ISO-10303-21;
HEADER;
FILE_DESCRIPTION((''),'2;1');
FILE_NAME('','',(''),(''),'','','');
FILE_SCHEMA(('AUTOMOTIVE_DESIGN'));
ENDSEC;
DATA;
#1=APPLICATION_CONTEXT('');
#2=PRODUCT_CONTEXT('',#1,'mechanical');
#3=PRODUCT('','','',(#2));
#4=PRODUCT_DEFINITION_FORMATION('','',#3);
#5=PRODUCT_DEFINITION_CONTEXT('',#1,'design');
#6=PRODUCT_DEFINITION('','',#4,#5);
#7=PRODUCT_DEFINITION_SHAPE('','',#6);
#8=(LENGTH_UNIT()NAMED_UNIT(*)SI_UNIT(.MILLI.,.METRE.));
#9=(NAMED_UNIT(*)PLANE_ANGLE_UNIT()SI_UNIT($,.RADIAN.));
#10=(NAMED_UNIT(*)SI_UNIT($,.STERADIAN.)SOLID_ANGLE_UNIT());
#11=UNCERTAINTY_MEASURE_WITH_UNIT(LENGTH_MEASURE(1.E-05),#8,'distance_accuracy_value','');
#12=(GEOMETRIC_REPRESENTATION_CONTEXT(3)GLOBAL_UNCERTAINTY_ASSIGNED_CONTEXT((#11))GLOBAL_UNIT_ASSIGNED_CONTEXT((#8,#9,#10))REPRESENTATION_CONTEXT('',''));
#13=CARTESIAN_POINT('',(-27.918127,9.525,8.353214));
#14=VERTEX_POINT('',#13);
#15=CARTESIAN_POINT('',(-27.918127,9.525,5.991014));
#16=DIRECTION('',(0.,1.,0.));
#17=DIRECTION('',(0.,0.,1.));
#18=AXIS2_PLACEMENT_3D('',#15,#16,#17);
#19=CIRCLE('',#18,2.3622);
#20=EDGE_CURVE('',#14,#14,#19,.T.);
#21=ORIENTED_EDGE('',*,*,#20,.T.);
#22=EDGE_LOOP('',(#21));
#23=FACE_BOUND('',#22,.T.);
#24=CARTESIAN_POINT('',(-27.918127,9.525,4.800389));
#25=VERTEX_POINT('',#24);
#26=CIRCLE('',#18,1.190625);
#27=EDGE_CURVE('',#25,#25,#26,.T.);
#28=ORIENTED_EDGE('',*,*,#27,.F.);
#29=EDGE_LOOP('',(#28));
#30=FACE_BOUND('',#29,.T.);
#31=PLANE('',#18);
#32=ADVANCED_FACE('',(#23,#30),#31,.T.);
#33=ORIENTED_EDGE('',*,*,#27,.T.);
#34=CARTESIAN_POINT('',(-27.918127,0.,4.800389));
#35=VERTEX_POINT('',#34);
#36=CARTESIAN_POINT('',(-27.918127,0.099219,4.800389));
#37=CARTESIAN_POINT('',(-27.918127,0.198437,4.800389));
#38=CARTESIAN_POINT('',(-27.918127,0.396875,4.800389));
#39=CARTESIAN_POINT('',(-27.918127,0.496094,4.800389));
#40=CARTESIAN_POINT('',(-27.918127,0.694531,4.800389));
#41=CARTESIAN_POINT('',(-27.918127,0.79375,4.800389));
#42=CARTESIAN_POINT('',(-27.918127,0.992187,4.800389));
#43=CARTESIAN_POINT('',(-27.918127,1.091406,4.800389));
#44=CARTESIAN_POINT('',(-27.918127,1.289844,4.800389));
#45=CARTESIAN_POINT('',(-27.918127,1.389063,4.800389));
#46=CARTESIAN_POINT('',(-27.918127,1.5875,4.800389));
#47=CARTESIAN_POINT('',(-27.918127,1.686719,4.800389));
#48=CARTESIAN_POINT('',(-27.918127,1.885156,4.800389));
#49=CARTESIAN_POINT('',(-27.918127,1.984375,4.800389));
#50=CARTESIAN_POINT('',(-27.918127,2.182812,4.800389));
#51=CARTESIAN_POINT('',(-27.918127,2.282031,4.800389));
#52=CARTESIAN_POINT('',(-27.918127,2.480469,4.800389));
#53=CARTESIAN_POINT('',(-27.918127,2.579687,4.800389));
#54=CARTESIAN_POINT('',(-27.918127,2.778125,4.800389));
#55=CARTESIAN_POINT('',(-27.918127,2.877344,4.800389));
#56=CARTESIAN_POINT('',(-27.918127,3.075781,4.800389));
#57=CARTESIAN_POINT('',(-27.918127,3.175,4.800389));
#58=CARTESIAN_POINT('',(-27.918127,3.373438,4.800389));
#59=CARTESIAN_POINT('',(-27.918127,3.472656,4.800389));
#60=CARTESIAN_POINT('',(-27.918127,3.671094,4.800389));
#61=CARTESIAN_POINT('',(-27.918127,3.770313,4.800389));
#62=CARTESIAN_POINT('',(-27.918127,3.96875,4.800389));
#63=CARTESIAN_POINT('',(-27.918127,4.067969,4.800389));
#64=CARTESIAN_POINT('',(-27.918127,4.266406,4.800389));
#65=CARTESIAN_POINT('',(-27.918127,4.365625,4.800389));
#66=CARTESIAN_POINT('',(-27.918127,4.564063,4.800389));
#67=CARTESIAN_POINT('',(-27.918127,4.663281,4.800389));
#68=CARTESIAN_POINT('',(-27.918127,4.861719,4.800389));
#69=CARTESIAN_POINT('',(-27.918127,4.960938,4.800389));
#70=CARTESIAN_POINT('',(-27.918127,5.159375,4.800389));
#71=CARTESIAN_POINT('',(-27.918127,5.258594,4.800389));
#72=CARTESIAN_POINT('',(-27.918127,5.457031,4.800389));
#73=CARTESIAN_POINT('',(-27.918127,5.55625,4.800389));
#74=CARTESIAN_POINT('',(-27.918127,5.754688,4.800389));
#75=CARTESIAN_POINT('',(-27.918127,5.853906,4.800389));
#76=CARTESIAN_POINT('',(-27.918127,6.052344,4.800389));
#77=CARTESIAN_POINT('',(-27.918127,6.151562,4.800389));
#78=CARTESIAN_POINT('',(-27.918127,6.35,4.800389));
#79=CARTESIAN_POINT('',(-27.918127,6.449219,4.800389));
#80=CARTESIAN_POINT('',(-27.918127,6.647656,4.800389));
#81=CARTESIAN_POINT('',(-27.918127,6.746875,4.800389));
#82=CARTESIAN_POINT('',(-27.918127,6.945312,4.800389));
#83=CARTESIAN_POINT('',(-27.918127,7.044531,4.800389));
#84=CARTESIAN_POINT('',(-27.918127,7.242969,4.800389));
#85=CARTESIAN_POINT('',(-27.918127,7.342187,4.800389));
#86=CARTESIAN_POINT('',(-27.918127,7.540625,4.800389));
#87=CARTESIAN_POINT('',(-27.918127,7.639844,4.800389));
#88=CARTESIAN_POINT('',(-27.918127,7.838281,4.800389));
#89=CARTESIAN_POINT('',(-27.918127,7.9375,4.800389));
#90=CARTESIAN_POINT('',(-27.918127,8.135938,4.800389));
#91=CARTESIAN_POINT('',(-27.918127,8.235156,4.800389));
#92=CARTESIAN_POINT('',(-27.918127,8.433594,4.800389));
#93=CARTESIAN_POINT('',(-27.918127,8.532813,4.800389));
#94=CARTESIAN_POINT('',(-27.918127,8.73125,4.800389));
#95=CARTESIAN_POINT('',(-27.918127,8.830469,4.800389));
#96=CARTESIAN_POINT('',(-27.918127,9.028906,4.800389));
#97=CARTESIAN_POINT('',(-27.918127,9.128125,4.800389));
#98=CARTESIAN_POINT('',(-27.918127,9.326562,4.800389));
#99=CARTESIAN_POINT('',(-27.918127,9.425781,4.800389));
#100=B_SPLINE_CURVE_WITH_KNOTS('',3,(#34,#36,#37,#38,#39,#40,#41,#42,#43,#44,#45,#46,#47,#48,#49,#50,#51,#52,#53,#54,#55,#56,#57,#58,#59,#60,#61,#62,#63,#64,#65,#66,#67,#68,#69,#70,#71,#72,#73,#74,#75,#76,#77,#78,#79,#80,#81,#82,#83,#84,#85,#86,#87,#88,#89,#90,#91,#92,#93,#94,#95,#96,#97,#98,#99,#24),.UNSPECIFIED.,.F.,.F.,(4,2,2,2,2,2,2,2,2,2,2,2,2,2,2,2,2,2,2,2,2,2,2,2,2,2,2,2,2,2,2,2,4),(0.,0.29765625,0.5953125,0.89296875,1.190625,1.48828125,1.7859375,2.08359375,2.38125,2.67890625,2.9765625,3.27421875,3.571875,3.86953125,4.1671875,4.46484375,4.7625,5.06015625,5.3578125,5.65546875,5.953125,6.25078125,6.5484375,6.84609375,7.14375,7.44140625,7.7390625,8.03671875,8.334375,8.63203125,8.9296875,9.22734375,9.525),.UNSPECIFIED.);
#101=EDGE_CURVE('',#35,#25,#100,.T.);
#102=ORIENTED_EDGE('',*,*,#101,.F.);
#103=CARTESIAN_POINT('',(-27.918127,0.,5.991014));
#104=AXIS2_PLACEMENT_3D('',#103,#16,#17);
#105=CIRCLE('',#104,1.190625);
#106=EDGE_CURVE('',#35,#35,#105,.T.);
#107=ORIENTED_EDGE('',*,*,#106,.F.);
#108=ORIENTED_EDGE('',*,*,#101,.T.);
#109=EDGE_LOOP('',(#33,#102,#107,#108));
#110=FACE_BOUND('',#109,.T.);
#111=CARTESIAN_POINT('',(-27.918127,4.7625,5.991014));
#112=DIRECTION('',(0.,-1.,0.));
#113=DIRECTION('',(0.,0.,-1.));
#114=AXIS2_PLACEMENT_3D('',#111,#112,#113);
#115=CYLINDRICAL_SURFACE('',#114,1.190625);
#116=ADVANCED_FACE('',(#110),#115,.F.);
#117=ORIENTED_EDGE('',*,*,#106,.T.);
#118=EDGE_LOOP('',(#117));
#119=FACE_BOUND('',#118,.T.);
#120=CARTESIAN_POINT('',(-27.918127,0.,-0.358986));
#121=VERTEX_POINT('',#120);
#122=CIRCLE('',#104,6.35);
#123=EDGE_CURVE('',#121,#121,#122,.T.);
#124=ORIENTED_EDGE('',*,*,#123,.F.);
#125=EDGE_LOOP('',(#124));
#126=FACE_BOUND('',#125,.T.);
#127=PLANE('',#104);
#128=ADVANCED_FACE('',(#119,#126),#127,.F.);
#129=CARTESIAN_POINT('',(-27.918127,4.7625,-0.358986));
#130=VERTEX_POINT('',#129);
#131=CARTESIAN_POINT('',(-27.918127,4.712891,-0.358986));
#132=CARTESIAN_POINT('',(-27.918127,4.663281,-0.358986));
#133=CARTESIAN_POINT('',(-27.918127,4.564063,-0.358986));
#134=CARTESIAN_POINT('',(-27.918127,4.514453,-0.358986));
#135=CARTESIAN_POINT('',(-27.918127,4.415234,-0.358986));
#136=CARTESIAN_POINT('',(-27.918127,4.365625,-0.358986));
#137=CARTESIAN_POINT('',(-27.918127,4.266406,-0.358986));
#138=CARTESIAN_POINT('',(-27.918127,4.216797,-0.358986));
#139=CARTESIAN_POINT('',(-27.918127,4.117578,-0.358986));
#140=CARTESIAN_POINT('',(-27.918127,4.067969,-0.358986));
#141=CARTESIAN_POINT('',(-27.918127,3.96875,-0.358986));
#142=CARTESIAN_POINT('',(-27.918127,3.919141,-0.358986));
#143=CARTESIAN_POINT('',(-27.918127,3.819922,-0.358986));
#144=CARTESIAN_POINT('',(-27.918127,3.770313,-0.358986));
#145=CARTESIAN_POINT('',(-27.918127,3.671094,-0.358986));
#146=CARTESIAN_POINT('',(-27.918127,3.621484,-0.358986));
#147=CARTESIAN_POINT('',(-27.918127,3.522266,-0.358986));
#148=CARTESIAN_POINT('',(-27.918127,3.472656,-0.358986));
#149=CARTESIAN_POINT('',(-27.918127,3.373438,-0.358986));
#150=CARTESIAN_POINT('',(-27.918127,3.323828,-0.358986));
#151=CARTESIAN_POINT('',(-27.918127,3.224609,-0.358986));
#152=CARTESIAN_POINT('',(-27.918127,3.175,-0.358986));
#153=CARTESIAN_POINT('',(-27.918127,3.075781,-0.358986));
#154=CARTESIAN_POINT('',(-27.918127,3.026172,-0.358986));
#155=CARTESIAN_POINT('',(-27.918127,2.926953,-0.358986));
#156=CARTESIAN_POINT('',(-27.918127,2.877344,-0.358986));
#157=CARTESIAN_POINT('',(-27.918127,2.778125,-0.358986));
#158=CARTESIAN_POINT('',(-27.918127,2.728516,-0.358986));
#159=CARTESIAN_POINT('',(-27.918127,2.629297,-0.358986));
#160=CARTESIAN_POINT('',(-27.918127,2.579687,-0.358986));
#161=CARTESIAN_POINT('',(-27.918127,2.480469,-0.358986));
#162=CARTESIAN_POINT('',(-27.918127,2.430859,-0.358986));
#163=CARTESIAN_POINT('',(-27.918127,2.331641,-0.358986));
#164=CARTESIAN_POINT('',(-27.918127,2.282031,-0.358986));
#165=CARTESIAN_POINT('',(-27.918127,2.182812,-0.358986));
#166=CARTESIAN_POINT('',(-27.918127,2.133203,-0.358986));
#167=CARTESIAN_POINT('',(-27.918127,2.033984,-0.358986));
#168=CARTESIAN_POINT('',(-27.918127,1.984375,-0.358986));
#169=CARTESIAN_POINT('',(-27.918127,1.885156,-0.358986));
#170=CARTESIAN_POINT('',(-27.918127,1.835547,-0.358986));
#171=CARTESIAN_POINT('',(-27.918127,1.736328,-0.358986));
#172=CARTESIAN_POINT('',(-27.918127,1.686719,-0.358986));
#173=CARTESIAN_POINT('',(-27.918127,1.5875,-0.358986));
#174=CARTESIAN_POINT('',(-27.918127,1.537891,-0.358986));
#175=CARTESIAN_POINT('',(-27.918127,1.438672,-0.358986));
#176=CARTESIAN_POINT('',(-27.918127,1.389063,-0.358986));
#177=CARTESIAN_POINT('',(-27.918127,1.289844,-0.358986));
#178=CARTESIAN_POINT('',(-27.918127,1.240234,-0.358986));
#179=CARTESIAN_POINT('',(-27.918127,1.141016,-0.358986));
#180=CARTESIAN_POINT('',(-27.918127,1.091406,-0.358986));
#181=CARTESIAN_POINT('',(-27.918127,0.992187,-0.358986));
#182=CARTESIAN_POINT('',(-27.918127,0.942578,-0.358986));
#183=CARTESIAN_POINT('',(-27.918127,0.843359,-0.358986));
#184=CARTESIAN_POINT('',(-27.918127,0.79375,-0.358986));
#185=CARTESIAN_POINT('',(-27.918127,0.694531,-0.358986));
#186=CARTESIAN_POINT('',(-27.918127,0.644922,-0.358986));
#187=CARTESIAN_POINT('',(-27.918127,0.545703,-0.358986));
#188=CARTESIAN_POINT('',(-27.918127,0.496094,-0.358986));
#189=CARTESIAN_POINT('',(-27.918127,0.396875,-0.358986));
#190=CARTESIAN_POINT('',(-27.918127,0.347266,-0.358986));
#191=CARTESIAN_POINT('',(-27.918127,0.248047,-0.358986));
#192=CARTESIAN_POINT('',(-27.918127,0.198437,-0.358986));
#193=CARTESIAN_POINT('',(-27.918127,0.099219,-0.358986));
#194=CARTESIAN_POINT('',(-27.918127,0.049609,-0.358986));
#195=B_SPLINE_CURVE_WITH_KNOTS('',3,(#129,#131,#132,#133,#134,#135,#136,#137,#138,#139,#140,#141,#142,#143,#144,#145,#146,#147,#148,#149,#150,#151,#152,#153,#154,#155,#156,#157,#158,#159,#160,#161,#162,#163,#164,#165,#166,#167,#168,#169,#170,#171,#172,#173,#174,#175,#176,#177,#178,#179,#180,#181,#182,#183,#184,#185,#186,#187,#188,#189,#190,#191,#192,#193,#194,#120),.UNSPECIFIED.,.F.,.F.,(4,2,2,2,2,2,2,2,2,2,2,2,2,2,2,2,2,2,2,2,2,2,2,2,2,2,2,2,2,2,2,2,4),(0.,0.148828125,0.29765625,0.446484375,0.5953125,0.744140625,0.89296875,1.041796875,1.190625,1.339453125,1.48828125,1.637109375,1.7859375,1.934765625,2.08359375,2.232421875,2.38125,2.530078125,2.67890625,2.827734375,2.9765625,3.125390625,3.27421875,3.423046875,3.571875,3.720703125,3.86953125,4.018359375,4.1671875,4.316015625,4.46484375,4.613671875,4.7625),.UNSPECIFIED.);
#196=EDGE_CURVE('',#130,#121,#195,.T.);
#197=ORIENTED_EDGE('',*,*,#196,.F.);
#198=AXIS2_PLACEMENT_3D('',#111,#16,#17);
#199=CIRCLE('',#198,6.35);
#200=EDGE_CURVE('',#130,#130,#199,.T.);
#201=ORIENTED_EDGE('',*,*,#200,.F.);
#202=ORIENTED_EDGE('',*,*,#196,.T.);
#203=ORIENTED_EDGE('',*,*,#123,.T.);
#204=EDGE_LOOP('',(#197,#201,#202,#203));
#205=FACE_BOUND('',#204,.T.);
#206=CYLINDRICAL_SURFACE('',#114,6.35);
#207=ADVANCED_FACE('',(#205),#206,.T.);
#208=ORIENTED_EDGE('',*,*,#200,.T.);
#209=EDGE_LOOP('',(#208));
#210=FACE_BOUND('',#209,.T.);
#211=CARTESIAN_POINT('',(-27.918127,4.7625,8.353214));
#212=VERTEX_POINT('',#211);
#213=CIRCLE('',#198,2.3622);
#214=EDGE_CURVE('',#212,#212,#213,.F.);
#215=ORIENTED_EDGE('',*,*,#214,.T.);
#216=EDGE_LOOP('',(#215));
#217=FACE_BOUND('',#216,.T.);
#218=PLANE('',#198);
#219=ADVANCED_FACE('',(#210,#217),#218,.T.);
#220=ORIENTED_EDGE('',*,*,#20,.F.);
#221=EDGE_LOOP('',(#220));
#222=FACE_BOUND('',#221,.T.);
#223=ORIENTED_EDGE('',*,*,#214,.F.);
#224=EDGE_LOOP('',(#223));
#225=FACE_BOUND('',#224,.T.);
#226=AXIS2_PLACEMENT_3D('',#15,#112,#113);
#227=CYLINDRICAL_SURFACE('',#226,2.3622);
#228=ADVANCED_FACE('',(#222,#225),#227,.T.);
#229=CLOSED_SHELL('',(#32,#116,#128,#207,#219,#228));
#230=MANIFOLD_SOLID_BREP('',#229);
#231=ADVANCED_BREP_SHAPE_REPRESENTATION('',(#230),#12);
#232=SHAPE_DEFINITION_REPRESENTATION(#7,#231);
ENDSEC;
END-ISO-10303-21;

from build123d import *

# Parameters (mm, degrees)
SKETCH1_R           = 6.35
SKETCH1_R_2         = 1.190625
BOSS_EXTRUDE1_DEPTH = 4.7625
SKETCH4_R           = 2.3622
SKETCH4_R_2         = 1.190625
BOSS_EXTRUDE2_DEPTH = 9.525


with BuildPart() as part:
    # Sketch1 → Boss-Extrude1 (new body)
    with BuildSketch(Plane(origin=(0, 0, 0), x_dir=(1, 0, 0), z_dir=(0, 1, 0))):
        with Locations(Location((-27.91812688, -5.991014352, 0), (0, 0, 90))):
            Circle(SKETCH1_R)
        with Locations(Location((-27.91812688, -5.991014352, 0), (0, 0, 90))):
            Circle(SKETCH1_R_2, mode=Mode.SUBTRACT)
    extrude(amount=BOSS_EXTRUDE1_DEPTH)

    # Sketch4 → Boss-Extrude2 (add)
    with BuildSketch(Plane(origin=(0, 0, 0), x_dir=(1, 0, 0), z_dir=(0, 1, 0))):
        with Locations(Location((-27.91812688, -5.991014352, 0), (0, 0, 270))):
            Circle(SKETCH4_R)
        with Locations(Location((-27.91812688, -5.991014352, 0), (0, 0, 90))):
            Circle(SKETCH4_R_2, mode=Mode.SUBTRACT)
    extrude(amount=BOSS_EXTRUDE2_DEPTH)


solid = part.part
